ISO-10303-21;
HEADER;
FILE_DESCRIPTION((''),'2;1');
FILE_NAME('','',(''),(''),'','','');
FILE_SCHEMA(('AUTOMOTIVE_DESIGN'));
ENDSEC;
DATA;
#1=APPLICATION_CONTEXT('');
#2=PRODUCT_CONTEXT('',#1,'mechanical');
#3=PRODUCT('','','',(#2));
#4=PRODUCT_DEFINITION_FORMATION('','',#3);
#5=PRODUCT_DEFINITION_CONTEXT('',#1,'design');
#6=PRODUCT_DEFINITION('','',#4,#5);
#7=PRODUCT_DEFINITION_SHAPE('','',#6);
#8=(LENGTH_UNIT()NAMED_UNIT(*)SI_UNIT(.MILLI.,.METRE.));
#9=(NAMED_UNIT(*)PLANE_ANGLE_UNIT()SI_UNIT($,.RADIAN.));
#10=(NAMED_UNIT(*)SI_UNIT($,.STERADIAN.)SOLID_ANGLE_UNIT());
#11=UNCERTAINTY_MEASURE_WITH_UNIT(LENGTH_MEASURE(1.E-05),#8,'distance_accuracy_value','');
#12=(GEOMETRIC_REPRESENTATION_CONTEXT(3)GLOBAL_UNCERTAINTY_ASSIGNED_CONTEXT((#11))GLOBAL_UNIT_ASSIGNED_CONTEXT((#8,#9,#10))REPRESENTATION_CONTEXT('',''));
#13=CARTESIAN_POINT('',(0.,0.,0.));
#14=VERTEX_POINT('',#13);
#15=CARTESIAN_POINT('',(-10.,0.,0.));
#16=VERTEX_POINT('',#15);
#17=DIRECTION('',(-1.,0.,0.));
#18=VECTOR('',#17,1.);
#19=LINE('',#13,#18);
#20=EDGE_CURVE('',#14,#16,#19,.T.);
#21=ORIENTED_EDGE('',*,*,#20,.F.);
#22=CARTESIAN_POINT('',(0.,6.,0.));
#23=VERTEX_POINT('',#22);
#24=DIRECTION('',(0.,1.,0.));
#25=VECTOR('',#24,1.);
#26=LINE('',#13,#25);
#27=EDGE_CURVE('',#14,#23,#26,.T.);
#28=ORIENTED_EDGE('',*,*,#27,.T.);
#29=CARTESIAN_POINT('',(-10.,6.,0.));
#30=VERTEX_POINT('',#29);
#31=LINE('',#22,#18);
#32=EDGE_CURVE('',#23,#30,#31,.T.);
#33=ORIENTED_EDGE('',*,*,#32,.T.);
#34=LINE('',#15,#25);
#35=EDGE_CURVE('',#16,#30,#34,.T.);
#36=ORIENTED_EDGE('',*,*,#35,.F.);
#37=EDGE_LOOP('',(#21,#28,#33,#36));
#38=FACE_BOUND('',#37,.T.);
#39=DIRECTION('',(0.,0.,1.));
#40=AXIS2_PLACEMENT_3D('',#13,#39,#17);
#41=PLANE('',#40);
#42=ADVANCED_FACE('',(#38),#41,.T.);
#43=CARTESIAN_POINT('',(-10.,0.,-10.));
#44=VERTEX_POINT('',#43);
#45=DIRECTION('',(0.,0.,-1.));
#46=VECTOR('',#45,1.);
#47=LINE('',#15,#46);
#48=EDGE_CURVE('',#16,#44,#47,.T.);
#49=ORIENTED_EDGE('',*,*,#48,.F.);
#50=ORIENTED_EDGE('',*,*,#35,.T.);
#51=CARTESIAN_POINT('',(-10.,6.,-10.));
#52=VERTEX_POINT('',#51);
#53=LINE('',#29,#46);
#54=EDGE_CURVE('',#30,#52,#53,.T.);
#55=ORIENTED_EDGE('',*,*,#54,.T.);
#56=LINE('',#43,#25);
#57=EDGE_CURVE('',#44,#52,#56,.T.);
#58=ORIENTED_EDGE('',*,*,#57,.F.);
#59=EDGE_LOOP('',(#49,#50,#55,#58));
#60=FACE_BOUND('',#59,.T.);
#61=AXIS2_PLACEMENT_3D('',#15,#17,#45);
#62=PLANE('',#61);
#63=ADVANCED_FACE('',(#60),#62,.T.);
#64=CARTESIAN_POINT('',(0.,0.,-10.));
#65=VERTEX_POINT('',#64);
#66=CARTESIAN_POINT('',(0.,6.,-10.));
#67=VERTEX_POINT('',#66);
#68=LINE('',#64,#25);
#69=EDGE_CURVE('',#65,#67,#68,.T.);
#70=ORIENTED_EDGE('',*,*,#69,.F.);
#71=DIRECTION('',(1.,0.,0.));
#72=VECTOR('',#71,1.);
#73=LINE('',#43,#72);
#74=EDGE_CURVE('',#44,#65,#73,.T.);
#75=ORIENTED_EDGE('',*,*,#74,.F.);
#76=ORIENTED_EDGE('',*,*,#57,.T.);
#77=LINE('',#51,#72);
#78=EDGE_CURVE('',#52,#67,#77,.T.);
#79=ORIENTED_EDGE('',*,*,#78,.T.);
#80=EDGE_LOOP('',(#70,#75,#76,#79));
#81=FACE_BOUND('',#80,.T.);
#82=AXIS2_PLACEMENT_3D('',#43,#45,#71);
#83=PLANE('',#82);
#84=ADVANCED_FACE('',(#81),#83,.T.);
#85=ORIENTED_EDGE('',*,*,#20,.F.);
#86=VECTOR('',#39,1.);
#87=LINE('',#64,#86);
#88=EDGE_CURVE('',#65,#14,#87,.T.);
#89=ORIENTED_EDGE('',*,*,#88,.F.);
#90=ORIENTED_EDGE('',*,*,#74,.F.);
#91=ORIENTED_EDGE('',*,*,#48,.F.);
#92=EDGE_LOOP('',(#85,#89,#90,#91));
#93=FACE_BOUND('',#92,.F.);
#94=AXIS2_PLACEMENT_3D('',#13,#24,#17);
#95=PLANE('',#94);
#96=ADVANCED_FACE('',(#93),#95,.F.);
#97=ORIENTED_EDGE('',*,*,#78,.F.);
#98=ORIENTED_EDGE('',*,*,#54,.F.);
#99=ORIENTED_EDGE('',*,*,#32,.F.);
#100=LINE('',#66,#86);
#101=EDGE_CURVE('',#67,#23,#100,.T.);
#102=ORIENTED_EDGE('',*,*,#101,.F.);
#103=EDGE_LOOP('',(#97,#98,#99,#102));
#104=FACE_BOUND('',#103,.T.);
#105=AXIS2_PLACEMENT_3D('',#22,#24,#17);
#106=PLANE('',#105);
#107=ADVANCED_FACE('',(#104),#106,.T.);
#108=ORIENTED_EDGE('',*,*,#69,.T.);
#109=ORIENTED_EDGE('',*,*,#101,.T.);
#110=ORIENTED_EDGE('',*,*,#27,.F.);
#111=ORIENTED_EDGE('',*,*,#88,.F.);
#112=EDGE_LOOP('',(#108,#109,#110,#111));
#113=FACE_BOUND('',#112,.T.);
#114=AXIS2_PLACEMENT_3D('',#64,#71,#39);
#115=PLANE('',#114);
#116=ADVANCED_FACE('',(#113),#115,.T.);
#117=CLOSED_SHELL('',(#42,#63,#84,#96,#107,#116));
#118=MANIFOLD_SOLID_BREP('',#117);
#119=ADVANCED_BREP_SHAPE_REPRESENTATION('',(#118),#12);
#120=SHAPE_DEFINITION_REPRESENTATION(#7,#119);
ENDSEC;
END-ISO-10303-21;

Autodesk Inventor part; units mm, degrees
ref_plane "YZ Plane" through (0, 0, 0) normal (1, 0, 0) x (0, 1, 0)
ref_plane "XZ Plane" through (0, 0, 0) normal (0, 1, 0) x (-1, 0, 0)
ref_plane "XY Plane" through (0, 0, 0) normal (0, 0, 1) x (1, 0, 0)
sketch "Sketch1" plane through (0, 0, 0) normal (0, 1, 0) x (-1, 0, 0)
  line L0 (0, 0) -> (10, 0)
  line L1 (10, 0) -> (10, -10)
  line L2 (10, -10) -> (0, -10)
  line L3 (0, -10) -> (0, 0)
  dimension "d0" = 10
  dimension "d1" = 10
extrude "Extrusion1" add sketch "Sketch1" along normal blind 6
properties part number "Box 6mm"
